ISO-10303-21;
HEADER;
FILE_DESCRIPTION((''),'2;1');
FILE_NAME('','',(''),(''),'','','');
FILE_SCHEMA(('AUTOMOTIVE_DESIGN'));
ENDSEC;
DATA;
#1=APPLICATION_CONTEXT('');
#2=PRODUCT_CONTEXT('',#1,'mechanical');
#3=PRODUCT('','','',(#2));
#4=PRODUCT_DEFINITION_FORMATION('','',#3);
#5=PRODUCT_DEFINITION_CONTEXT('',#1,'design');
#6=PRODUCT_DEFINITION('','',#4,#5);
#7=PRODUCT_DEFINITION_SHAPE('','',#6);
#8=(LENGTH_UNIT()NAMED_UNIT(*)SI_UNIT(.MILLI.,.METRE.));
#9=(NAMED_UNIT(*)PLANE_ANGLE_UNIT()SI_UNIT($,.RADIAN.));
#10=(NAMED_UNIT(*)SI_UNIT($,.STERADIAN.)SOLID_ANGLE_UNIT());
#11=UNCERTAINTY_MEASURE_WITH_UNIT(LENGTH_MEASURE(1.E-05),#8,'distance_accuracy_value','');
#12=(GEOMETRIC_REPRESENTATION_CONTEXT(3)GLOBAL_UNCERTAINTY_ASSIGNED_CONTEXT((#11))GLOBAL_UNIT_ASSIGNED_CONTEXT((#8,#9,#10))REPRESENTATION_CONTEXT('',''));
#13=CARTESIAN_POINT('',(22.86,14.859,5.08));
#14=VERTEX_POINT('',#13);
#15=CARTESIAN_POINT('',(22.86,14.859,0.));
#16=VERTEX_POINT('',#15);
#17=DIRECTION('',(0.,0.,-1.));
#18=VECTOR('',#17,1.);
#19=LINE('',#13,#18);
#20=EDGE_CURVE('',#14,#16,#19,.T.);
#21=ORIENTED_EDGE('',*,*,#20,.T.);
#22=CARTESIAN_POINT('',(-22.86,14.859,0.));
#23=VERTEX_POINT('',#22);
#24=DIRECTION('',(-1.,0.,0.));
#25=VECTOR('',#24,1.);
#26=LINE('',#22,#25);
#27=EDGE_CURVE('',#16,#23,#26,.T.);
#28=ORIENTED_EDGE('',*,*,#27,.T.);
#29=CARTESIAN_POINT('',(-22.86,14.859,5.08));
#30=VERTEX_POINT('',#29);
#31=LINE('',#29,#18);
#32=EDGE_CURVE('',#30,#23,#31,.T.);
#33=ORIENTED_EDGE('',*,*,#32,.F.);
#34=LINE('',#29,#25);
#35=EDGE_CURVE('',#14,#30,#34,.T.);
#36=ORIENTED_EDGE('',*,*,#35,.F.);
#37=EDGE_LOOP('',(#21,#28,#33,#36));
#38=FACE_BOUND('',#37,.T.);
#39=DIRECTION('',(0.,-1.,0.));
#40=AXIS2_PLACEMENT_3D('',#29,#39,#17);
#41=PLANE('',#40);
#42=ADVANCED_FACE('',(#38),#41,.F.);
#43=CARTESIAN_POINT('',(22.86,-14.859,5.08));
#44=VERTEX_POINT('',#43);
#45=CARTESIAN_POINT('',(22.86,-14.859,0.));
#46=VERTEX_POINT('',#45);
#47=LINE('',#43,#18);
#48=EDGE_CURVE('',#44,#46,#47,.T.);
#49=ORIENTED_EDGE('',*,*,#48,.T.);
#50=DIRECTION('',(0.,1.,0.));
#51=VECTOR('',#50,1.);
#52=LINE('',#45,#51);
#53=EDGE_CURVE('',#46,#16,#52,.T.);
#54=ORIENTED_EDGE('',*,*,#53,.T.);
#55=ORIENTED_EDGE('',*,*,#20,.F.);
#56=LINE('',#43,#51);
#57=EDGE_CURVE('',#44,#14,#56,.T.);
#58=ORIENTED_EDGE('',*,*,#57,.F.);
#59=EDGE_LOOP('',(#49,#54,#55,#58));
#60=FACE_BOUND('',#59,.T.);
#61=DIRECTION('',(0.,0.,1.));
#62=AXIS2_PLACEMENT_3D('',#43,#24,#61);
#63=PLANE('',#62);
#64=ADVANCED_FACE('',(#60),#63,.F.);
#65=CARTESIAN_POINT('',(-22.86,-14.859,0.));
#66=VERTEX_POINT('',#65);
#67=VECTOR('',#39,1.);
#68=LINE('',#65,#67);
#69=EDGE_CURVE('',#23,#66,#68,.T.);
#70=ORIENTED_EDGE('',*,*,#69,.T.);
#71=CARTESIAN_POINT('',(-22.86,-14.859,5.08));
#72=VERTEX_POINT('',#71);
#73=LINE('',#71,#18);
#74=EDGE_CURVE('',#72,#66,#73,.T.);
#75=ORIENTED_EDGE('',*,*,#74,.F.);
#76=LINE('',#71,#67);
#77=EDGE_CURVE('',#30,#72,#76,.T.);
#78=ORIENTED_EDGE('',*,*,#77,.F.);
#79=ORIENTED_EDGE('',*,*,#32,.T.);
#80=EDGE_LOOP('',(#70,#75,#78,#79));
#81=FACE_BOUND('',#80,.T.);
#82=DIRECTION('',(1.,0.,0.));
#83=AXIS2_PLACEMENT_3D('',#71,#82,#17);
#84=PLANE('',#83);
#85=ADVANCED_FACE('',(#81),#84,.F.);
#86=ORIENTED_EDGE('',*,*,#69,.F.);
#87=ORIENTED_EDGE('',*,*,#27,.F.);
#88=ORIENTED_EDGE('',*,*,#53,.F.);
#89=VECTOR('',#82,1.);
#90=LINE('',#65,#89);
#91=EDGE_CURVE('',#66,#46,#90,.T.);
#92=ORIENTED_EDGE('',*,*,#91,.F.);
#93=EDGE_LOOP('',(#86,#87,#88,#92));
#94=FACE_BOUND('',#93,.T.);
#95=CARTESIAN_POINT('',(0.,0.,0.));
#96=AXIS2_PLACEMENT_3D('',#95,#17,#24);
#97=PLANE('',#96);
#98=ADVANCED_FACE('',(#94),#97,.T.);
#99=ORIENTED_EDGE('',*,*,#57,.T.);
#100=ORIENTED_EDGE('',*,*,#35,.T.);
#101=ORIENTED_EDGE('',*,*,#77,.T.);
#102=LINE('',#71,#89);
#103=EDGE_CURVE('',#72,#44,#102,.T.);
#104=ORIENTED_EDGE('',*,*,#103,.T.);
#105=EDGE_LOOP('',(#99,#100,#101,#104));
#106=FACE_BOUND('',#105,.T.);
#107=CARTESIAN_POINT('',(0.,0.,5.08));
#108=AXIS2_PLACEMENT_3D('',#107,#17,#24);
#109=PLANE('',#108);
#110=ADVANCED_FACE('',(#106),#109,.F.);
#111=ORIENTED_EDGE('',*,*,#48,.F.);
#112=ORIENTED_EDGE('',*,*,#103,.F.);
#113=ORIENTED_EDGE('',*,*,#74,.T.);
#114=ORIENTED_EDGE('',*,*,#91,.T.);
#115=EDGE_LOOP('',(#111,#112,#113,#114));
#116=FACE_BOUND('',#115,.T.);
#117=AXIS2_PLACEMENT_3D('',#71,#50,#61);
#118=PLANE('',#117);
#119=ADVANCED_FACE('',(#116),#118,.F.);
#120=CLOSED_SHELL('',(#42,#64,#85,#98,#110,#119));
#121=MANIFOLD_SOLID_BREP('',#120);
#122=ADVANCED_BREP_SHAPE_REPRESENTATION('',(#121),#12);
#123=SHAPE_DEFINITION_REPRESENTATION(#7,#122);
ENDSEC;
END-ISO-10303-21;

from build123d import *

# Parameters (mm, degrees)
SKETCH1_W           = 45.72
SKETCH1_H           = 29.718
BOSS_EXTRUDE1_DEPTH = 5.08


with BuildPart() as part:
    # Sketch1 → Boss-Extrude1 (new body)
    with BuildSketch(Plane.XY):
        Rectangle(SKETCH1_W, SKETCH1_H)
    extrude(amount=BOSS_EXTRUDE1_DEPTH)


solid = part.part
